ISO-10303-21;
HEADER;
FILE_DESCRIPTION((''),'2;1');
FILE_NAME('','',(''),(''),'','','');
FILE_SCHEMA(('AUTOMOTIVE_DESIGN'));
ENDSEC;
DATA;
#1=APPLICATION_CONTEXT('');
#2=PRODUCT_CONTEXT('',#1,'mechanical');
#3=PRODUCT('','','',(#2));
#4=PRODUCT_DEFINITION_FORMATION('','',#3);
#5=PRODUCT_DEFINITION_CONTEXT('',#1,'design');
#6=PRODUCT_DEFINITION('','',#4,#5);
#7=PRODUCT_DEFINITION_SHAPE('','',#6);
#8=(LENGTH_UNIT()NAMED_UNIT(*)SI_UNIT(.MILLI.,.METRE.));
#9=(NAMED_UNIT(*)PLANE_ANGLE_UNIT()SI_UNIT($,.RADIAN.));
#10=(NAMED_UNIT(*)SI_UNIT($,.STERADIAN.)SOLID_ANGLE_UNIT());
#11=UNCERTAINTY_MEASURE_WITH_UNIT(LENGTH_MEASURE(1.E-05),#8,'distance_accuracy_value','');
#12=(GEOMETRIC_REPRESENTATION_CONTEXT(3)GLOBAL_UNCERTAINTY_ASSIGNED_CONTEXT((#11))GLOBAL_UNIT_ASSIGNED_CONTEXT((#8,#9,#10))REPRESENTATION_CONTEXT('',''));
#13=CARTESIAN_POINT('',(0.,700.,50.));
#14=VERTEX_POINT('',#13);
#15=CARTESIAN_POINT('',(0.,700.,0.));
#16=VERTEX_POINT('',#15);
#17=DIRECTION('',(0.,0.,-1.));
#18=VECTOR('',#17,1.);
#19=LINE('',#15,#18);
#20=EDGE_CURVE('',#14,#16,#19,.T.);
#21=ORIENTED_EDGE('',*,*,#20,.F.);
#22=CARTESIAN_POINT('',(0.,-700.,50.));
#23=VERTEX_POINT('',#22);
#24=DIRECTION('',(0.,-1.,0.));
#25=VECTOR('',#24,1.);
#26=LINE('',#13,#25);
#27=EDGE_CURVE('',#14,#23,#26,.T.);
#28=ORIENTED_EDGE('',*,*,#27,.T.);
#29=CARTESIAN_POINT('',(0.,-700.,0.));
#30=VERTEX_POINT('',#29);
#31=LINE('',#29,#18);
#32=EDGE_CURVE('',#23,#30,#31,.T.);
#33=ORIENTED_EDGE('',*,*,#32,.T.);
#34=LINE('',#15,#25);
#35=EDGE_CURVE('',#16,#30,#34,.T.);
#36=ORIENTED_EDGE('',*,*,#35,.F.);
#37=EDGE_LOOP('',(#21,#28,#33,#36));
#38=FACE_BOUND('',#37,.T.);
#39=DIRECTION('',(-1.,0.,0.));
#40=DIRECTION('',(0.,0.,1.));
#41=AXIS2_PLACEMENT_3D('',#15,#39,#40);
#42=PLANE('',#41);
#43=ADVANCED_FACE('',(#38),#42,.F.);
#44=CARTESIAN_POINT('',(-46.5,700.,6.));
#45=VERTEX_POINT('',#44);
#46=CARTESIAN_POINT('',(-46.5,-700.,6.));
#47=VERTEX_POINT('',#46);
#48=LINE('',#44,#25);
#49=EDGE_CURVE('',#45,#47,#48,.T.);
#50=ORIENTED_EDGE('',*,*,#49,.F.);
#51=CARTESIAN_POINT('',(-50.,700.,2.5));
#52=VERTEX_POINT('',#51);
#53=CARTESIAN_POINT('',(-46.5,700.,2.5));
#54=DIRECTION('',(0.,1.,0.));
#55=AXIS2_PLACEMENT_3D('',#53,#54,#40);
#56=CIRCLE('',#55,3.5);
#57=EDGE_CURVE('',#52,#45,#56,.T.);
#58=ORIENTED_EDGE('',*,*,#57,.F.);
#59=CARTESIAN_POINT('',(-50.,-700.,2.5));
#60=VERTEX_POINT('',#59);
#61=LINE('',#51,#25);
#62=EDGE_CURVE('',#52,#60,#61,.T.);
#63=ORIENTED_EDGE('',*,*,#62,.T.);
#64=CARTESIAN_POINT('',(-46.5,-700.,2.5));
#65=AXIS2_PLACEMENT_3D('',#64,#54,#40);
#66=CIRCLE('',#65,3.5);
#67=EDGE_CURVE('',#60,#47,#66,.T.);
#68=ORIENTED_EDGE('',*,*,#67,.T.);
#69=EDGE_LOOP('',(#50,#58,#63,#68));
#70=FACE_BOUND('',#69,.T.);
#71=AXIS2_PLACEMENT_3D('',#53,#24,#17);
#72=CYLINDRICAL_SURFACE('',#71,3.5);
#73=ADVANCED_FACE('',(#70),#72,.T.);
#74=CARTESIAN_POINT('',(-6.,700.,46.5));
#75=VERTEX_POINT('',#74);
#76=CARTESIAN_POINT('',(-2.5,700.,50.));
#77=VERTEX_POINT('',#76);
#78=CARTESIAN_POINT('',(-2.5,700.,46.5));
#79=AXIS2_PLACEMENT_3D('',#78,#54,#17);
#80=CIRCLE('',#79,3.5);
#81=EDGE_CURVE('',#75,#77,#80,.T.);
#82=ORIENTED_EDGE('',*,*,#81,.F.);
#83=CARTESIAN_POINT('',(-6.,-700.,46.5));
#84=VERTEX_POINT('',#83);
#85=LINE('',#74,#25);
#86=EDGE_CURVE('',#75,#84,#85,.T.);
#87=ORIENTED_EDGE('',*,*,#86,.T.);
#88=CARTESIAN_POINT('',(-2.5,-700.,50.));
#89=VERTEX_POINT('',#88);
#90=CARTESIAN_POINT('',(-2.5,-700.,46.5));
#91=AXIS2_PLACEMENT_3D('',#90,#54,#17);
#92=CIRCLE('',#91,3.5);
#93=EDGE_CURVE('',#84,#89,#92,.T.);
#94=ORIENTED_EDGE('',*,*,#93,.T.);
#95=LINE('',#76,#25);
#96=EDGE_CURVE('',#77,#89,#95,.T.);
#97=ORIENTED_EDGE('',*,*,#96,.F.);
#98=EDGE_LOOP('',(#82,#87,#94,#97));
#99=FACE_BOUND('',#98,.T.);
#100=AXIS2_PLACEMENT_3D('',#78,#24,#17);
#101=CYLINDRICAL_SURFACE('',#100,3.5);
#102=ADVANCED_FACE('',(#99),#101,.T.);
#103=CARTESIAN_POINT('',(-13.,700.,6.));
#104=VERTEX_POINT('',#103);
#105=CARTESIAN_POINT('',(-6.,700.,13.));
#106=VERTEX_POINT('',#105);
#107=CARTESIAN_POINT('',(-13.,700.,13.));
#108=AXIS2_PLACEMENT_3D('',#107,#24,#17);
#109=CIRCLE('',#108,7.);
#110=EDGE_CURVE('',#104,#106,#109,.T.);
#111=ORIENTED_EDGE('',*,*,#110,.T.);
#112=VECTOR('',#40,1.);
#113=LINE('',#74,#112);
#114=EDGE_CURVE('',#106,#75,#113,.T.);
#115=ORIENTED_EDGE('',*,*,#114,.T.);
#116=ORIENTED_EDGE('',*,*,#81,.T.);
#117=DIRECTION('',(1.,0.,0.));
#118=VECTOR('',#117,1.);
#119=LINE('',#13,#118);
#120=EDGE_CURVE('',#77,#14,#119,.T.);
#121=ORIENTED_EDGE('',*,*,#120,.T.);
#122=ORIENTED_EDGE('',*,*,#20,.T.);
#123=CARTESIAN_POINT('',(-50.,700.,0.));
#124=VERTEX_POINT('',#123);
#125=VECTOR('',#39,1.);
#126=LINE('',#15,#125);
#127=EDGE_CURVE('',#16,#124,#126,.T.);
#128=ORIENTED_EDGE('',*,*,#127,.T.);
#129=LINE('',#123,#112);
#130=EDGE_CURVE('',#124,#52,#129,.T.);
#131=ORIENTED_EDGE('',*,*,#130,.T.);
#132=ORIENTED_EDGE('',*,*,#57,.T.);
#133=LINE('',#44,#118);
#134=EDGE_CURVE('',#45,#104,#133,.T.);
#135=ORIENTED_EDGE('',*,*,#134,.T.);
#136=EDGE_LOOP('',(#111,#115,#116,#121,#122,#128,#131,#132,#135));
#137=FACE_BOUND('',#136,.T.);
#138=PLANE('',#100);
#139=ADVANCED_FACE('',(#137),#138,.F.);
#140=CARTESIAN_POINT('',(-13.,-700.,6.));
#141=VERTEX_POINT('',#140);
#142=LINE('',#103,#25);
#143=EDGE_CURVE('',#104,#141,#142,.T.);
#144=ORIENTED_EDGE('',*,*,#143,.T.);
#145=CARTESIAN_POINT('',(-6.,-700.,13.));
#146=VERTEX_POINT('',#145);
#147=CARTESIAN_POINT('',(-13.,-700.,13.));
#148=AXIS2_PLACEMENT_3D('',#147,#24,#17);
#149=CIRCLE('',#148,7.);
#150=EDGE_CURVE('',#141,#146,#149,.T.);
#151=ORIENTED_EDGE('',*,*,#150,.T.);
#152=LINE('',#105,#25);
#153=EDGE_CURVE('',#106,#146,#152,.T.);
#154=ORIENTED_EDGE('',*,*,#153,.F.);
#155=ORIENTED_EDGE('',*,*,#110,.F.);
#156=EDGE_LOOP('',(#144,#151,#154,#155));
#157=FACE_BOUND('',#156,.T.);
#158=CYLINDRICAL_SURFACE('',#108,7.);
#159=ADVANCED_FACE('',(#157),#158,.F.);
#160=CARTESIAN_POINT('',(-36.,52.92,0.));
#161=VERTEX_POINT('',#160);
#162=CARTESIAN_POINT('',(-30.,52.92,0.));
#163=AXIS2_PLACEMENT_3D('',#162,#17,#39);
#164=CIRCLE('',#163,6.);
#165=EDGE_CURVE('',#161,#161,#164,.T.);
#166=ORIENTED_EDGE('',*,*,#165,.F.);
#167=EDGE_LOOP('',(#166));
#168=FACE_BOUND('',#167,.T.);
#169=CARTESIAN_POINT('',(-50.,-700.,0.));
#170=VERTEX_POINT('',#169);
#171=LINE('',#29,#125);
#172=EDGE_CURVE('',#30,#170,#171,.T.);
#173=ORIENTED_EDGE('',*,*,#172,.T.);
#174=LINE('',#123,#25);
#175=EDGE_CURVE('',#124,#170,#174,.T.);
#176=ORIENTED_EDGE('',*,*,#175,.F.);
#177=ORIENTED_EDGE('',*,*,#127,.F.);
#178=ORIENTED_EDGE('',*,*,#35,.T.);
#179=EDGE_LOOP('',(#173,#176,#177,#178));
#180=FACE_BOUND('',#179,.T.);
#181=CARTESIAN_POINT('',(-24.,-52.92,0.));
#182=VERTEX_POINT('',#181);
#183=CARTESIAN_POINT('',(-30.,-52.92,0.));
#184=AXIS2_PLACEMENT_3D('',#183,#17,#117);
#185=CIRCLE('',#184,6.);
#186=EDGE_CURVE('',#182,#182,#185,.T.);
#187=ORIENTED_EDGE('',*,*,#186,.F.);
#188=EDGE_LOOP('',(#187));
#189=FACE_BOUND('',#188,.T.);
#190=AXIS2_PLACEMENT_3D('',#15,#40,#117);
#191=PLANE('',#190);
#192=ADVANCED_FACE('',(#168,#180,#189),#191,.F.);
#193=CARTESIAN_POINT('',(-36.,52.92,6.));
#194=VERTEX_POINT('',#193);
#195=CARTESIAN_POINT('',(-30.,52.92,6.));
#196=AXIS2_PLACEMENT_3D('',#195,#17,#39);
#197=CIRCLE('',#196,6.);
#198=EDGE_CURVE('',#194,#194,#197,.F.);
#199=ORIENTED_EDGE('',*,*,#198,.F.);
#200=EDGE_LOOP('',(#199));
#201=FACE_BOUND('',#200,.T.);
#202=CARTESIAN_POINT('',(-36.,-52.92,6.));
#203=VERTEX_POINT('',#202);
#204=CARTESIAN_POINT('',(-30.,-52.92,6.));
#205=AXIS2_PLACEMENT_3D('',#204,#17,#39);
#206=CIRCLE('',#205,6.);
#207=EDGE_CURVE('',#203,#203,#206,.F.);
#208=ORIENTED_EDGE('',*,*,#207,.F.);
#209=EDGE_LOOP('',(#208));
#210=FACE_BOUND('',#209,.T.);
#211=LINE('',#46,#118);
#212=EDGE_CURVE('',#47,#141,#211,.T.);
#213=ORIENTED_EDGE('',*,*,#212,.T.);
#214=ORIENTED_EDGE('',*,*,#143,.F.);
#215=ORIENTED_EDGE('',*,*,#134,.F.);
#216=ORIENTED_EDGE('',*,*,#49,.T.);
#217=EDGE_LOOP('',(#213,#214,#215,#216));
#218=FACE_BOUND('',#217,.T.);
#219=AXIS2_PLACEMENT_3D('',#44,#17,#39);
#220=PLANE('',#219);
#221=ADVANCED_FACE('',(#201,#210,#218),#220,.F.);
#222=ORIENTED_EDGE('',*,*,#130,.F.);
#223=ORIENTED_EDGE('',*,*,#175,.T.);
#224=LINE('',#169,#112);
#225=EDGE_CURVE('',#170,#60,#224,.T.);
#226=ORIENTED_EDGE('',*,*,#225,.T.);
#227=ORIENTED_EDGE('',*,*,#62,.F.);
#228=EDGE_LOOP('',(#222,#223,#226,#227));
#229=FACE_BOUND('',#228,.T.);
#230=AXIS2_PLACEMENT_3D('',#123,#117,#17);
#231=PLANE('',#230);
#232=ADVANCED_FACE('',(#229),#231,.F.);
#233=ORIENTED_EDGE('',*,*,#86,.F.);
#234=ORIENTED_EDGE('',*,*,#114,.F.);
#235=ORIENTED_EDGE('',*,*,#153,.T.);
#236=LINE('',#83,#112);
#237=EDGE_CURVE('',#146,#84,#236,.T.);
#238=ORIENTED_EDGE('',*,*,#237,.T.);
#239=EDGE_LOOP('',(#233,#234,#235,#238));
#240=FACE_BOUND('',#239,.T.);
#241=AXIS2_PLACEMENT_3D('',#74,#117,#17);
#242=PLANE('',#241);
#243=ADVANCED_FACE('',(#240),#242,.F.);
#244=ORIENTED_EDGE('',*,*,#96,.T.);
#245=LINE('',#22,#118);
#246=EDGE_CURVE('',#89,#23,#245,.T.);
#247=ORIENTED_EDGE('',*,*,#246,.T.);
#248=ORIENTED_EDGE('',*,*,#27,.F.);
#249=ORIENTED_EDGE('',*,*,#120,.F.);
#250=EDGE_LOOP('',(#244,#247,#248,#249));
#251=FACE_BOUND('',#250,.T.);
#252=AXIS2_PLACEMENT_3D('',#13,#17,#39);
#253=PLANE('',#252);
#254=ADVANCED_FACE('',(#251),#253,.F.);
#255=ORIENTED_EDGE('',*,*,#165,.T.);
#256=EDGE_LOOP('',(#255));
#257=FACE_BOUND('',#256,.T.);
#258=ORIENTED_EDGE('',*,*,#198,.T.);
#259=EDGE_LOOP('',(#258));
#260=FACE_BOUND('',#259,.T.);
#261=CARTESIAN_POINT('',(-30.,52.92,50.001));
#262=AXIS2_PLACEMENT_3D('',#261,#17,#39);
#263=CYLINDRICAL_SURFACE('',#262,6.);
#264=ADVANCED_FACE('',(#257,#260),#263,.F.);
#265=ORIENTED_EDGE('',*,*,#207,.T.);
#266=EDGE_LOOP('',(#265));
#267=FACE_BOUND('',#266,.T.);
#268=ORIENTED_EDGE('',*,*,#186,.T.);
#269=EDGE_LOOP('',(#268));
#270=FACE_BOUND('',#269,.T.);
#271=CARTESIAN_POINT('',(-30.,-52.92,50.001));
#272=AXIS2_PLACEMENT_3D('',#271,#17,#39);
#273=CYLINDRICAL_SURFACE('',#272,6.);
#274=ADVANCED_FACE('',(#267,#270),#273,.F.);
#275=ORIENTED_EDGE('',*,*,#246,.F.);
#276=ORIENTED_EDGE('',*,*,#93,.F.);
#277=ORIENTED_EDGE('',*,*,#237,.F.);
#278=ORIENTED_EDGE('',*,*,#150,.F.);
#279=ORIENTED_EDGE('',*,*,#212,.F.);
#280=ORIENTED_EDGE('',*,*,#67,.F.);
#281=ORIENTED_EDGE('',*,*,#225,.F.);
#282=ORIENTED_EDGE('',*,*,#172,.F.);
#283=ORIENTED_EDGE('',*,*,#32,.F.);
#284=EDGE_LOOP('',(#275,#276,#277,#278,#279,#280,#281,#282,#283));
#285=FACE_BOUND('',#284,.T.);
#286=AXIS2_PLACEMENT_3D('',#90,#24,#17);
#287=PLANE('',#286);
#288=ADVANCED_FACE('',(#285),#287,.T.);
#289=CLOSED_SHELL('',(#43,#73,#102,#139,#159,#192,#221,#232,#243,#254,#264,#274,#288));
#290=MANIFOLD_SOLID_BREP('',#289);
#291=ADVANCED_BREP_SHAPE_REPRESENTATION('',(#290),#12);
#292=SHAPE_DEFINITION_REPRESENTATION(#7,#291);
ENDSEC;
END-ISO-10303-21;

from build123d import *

# Parameters (mm, degrees)
BOSS_EXTRUDE1_DEPTH = 700
CUT_EXTRUDE1_REACH  = 705.562
SKETCH2_R           = 6


with BuildPart() as part:
    # Sketch1 → Boss-Extrude1 (new, symmetric)
    with BuildSketch(Plane(origin=(0, 0, 0), x_dir=(1, 0, 0), z_dir=(0, 1, 0))):
        with BuildLine():
            Line((0, 0), (-50, 0))
            Line((-50, 0), (-50, -2.5))
            ThreePointArc((-50, -2.5), (-48.974873734, -4.974873734), (-46.5, -6))
            Line((-46.5, -6), (-13, -6))
            ThreePointArc((-13, -6), (-8.050252532, -8.050252532), (-6, -13))
            Line((-6, -13), (-6, -46.5))
            ThreePointArc((-6, -46.5), (-4.974873734, -48.974873734), (-2.5, -50))
            Line((-2.5, -50), (0, -50))
            Line((0, -50), (0, 0))
        make_face()
    extrude(amount=BOSS_EXTRUDE1_DEPTH, both=True)

    # Sketch2 → Cut-Extrude1 (cut, up to next)
    with BuildSketch(Plane(origin=(0, 0, 0), x_dir=(-1, 0, 0), z_dir=(0, 0, -1)), mode=Mode.PRIVATE) as cut_extrude1_sk1:
        with Locations((30, 52.92)):
            Circle(SKETCH2_R)
    cut_extrude1_tool1 = extrude(cut_extrude1_sk1.sketch, amount=-CUT_EXTRUDE1_REACH, mode=Mode.PRIVATE) & part.part
    # Sketch2 → Cut-Extrude1 (cut, up to next)
    with BuildSketch(Plane(origin=(0, 0, 0), x_dir=(-1, 0, 0), z_dir=(0, 0, -1)), mode=Mode.PRIVATE) as cut_extrude1_sk2:
        with Locations((30, -52.92)):
            Circle(SKETCH2_R)
    cut_extrude1_tool2 = extrude(cut_extrude1_sk2.sketch, amount=-CUT_EXTRUDE1_REACH, mode=Mode.PRIVATE) & part.part
    add(cut_extrude1_tool1.solids().sort_by_distance((-30, 52.92, 0))[0], mode=Mode.SUBTRACT)
    add(cut_extrude1_tool2.solids().sort_by_distance((-30, -52.92, 0))[0], mode=Mode.SUBTRACT)


solid = part.part
